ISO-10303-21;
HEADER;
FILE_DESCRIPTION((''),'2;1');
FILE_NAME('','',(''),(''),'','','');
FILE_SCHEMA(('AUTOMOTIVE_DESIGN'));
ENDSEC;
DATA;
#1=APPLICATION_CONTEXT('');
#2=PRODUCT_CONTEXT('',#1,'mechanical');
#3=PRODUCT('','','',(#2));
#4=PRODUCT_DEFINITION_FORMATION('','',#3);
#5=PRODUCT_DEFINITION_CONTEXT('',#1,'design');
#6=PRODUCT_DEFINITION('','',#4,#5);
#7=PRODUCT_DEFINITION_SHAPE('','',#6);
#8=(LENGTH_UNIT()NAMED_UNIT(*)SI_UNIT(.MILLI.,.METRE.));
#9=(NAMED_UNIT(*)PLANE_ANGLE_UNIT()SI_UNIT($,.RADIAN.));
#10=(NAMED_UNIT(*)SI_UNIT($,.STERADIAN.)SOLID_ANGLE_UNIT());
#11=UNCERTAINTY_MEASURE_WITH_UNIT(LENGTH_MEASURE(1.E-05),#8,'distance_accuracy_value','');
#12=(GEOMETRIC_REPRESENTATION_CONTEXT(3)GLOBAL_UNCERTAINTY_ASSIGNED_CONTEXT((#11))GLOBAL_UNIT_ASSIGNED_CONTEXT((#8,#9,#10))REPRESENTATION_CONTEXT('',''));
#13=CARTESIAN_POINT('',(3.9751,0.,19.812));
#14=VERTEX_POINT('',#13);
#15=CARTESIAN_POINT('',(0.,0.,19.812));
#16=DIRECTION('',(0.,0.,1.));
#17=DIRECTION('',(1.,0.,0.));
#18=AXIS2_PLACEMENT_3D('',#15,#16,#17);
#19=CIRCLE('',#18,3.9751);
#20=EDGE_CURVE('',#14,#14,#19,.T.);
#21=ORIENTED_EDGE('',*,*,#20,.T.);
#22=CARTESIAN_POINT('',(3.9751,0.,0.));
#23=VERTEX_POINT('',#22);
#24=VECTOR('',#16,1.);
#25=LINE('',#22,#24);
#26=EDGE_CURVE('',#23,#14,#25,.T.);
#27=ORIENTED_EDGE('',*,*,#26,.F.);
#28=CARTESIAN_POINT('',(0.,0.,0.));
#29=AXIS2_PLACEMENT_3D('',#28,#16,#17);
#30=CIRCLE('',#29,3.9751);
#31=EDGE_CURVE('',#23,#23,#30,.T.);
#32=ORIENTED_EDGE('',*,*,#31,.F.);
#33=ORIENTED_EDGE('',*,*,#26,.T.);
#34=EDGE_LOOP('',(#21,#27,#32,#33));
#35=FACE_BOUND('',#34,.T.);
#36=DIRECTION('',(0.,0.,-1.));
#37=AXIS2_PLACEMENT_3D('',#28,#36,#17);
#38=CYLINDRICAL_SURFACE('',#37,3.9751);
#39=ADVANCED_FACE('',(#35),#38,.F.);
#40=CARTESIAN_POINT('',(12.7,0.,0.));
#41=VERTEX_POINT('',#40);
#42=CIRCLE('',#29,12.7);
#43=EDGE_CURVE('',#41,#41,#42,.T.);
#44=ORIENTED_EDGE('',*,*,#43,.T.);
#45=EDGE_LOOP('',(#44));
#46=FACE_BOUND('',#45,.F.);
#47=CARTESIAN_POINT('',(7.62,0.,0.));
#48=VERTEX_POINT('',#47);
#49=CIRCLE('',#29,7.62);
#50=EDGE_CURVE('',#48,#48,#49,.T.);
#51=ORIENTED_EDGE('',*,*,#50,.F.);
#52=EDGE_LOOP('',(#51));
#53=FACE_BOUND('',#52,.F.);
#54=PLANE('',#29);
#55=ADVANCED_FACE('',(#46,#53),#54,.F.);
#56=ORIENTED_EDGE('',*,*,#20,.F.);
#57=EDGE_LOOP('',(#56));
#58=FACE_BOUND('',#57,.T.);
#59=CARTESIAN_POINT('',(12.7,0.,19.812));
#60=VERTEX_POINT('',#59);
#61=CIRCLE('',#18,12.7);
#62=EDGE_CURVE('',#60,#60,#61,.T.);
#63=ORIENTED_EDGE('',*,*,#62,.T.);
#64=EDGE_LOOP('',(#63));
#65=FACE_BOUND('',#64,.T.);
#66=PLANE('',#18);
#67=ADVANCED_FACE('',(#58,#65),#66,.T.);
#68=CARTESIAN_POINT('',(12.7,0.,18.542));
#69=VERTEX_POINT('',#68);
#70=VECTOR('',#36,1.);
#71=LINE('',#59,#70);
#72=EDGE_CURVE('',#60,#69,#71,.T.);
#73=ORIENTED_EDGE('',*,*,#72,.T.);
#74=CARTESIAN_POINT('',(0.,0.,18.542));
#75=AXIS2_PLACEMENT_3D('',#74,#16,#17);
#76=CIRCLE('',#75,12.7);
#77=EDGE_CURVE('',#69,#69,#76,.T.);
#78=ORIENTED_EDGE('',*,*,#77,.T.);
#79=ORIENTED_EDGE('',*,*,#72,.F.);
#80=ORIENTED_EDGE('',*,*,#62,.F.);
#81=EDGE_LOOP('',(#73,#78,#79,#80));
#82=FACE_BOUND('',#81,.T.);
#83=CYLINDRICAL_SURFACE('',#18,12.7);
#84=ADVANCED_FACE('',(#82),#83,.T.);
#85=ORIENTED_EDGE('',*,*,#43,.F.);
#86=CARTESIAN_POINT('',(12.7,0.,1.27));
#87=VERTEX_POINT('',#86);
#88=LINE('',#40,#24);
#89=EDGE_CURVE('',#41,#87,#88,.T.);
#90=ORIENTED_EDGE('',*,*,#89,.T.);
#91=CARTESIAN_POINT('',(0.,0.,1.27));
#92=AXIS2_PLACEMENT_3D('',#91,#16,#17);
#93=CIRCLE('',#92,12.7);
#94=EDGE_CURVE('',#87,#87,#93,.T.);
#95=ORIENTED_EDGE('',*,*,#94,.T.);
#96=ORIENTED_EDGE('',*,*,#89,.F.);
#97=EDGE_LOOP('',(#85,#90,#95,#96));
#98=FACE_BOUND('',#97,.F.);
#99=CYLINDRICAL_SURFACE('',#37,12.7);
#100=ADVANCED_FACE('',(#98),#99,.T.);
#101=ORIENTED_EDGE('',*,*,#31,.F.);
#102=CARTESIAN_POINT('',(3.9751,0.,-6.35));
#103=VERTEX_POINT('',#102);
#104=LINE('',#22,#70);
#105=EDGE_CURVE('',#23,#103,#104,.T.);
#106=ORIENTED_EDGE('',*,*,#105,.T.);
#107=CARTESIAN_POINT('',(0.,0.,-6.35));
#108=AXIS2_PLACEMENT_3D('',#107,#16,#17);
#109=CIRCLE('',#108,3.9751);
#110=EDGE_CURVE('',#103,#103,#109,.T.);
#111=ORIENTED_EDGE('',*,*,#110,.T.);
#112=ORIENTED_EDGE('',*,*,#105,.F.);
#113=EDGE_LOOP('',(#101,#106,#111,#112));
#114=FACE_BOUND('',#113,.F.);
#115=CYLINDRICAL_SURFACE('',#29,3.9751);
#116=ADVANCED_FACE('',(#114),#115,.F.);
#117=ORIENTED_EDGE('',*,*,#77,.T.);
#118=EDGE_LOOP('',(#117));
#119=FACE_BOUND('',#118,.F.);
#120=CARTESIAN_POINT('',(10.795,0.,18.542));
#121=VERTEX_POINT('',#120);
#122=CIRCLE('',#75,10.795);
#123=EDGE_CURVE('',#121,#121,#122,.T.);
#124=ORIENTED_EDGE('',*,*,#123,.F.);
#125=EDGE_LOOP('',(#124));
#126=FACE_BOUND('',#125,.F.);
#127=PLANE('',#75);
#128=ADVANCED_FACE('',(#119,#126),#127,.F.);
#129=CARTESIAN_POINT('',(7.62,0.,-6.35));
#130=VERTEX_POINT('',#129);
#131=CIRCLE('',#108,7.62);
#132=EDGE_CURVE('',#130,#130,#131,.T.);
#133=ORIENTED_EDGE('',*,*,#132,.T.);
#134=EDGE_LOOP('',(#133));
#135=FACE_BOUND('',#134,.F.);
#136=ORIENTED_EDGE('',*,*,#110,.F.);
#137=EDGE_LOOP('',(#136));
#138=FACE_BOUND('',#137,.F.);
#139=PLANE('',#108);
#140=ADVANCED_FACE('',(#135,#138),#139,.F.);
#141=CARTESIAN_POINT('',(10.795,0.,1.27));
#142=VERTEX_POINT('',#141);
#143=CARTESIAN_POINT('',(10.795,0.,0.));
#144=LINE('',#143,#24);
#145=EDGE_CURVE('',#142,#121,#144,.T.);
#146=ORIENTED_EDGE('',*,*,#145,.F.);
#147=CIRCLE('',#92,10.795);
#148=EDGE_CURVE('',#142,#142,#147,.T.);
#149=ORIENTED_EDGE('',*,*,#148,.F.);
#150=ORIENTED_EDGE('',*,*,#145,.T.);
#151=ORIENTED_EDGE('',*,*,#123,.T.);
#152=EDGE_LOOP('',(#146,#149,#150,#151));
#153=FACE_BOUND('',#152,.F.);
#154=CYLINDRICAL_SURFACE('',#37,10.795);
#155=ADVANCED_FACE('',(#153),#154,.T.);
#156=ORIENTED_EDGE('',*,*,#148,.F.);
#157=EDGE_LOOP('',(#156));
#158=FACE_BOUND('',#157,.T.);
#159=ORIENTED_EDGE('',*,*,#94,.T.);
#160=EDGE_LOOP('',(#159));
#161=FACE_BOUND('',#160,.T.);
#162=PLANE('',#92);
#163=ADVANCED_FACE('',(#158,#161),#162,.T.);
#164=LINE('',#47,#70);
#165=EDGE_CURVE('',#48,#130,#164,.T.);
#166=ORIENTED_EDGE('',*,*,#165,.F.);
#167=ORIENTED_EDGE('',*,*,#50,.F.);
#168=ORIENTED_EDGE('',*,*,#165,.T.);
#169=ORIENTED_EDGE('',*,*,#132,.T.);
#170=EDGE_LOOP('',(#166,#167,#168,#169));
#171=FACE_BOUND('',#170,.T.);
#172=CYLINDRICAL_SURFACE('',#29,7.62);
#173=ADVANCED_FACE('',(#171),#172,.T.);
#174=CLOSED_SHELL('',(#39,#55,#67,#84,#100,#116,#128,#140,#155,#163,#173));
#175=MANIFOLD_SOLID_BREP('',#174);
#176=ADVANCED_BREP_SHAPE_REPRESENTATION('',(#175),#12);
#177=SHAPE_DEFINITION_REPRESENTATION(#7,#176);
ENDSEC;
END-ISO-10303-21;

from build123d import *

# Parameters (mm, degrees)
F0_R     = 12.7
F0_R_2   = 10.795
F1_DEPTH = 1.27
F0_R_3   = 7.62
F0_R_4   = 3.9751
F2_DEPTH = 19.812
F3_R     = 12.7
F3_R_2   = 10.795
F4_DEPTH = 1.27
F5_DEPTH = 6.35


with BuildPart() as f1:
    # F0 (on Top) → F1 (new body)
    with BuildSketch(Plane.XY):
        Circle(F0_R)
        Circle(F0_R_2, mode=Mode.SUBTRACT)
    extrude(amount=F1_DEPTH)

    # F0 (on Top) → F2 (join)
    with BuildSketch(Plane.XY):
        Circle(F0_R_2)
        Circle(F0_R_3, mode=Mode.SUBTRACT)
        Circle(F0_R_3)
        Circle(F0_R_4, mode=Mode.SUBTRACT)
    extrude(amount=F2_DEPTH)

    # F3 (on face) → F4 (join)
    with BuildSketch(Plane.XY.offset(19.812)):
        Circle(F3_R)
        Circle(F3_R_2, mode=Mode.SUBTRACT)
    extrude(amount=-F4_DEPTH)

    # F0 (on Top) → F5 (join)
    with BuildSketch(Plane.XY):
        Circle(F0_R_3)
        Circle(F0_R_4, mode=Mode.SUBTRACT)
    extrude(amount=-F5_DEPTH)


solid = f1.part
